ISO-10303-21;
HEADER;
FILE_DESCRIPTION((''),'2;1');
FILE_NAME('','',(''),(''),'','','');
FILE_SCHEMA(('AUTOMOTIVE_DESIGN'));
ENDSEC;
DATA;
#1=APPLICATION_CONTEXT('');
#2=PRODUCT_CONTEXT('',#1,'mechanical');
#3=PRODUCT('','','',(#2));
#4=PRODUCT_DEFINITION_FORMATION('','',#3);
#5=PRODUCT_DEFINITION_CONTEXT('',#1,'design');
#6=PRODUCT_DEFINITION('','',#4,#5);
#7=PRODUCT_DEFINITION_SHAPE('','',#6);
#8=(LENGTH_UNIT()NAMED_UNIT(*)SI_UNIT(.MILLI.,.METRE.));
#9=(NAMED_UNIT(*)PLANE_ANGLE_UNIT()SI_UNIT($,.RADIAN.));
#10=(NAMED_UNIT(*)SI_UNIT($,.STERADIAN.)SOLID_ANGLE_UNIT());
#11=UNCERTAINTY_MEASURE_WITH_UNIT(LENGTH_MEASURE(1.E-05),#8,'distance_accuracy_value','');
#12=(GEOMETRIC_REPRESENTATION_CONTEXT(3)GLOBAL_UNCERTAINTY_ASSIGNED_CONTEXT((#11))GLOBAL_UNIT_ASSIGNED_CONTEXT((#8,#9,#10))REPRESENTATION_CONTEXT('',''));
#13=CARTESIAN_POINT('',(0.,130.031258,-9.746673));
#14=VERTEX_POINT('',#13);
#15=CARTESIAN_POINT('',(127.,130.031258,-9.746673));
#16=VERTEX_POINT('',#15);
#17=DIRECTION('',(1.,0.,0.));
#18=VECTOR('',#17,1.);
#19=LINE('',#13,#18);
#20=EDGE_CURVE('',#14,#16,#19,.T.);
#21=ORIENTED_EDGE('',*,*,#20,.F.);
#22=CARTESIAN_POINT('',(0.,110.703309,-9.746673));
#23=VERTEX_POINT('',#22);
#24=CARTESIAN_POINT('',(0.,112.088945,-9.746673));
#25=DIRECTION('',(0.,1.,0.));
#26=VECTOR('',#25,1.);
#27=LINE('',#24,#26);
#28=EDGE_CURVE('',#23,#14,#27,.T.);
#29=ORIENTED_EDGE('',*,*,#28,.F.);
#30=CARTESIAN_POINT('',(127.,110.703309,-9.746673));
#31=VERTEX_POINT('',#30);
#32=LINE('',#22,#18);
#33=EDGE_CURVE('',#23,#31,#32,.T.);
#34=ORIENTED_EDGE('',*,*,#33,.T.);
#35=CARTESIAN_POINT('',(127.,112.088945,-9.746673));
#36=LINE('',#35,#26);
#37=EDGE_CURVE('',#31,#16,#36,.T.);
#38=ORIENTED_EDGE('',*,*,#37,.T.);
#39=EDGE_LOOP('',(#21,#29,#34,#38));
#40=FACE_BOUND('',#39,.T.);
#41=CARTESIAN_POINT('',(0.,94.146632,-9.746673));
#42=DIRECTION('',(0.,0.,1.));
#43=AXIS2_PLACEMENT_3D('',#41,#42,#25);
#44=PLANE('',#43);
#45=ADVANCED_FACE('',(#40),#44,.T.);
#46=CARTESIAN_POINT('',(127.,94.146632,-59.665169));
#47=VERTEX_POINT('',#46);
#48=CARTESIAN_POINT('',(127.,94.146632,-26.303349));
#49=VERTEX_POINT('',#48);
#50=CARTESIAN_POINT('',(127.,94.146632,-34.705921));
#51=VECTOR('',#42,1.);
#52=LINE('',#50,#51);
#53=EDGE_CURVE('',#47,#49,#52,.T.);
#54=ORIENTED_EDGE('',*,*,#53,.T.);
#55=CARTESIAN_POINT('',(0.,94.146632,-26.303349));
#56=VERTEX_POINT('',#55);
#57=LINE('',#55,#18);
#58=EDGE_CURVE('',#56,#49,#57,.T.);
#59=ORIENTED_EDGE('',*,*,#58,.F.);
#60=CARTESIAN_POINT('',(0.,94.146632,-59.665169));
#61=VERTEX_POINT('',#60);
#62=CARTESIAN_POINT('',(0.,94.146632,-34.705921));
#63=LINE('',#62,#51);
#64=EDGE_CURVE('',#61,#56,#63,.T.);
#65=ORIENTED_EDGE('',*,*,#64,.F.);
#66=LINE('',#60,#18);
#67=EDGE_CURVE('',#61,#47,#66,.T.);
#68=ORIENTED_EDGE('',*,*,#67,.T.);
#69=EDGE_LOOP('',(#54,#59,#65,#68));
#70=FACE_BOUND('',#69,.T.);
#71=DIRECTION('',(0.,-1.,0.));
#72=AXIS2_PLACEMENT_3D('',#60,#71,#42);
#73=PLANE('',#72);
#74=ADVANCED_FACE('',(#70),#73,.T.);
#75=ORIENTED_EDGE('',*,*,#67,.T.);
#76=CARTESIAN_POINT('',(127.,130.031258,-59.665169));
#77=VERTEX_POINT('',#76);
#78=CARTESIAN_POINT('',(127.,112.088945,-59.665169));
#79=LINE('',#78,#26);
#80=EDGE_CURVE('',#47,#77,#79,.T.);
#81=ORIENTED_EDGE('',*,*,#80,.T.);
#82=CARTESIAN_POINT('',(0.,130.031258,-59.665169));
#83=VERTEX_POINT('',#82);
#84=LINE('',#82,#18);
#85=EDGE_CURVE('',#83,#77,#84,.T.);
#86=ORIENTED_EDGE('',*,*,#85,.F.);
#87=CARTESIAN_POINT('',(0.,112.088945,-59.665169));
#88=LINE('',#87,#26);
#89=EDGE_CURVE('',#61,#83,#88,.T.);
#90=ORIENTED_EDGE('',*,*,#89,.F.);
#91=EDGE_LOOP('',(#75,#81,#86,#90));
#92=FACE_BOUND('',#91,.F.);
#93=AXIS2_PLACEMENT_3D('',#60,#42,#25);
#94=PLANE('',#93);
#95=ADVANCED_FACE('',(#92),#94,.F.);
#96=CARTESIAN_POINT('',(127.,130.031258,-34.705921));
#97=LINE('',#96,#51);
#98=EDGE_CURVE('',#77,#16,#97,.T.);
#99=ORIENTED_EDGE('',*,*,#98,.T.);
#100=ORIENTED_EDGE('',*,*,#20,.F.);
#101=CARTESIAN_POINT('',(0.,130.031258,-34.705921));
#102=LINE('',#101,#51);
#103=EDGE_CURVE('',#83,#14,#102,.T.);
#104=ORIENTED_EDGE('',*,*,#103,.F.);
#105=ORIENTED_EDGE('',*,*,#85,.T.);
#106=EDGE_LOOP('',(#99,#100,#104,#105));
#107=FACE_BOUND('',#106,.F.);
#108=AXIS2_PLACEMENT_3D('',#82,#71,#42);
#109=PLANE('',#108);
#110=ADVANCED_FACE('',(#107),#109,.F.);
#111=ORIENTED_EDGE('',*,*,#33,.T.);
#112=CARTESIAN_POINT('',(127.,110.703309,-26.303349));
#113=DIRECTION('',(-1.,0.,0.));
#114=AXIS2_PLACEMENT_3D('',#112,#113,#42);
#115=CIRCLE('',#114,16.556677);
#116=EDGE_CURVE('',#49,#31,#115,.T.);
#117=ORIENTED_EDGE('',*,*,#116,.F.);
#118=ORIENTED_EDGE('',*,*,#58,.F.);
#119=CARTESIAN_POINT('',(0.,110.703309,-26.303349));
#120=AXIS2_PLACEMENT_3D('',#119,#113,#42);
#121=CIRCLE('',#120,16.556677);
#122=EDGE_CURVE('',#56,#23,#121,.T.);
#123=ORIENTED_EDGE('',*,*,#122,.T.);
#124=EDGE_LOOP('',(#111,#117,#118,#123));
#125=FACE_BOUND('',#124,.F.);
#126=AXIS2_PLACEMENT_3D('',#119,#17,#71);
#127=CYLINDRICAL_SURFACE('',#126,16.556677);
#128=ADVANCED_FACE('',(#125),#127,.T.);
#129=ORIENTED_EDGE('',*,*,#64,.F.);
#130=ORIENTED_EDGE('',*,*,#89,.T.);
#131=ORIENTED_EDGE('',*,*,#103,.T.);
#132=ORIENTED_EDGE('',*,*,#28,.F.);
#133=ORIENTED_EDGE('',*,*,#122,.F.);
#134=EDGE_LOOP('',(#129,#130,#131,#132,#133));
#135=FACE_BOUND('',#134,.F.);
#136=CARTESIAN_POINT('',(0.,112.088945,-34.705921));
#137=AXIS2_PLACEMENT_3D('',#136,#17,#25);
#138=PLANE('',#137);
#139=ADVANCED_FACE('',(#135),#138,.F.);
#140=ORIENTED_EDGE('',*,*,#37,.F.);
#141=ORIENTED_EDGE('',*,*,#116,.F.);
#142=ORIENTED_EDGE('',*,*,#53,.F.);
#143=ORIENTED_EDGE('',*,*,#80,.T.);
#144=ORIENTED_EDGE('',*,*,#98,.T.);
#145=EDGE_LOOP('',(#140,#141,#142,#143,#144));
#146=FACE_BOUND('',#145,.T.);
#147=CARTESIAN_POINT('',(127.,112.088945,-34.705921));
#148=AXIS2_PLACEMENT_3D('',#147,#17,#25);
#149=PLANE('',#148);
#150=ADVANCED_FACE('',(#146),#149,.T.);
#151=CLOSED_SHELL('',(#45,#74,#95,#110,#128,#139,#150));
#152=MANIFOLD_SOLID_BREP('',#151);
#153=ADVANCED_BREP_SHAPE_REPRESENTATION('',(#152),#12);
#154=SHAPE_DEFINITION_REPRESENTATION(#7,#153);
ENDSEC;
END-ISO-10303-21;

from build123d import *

# Parameters (mm, degrees)
F0_W     = 35.884626
F0_H     = 49.918497
F1_DEPTH = 127
F2_R     = 16.556677


with BuildPart() as f1:
    # F0 (on Right) → F1 (new body)
    with BuildSketch(Plane.YZ):
        with Locations((112.088945, -34.705921)):
            Rectangle(F0_W, F0_H)
    extrude(amount=F1_DEPTH)

    # F2
    f2_edges = [f1.edges().sort_by_distance(p)[0] for p in [
        (63.5, 94.146632, -9.746673),
    ]]
    fillet(f2_edges, radius=F2_R)


solid = f1.part
